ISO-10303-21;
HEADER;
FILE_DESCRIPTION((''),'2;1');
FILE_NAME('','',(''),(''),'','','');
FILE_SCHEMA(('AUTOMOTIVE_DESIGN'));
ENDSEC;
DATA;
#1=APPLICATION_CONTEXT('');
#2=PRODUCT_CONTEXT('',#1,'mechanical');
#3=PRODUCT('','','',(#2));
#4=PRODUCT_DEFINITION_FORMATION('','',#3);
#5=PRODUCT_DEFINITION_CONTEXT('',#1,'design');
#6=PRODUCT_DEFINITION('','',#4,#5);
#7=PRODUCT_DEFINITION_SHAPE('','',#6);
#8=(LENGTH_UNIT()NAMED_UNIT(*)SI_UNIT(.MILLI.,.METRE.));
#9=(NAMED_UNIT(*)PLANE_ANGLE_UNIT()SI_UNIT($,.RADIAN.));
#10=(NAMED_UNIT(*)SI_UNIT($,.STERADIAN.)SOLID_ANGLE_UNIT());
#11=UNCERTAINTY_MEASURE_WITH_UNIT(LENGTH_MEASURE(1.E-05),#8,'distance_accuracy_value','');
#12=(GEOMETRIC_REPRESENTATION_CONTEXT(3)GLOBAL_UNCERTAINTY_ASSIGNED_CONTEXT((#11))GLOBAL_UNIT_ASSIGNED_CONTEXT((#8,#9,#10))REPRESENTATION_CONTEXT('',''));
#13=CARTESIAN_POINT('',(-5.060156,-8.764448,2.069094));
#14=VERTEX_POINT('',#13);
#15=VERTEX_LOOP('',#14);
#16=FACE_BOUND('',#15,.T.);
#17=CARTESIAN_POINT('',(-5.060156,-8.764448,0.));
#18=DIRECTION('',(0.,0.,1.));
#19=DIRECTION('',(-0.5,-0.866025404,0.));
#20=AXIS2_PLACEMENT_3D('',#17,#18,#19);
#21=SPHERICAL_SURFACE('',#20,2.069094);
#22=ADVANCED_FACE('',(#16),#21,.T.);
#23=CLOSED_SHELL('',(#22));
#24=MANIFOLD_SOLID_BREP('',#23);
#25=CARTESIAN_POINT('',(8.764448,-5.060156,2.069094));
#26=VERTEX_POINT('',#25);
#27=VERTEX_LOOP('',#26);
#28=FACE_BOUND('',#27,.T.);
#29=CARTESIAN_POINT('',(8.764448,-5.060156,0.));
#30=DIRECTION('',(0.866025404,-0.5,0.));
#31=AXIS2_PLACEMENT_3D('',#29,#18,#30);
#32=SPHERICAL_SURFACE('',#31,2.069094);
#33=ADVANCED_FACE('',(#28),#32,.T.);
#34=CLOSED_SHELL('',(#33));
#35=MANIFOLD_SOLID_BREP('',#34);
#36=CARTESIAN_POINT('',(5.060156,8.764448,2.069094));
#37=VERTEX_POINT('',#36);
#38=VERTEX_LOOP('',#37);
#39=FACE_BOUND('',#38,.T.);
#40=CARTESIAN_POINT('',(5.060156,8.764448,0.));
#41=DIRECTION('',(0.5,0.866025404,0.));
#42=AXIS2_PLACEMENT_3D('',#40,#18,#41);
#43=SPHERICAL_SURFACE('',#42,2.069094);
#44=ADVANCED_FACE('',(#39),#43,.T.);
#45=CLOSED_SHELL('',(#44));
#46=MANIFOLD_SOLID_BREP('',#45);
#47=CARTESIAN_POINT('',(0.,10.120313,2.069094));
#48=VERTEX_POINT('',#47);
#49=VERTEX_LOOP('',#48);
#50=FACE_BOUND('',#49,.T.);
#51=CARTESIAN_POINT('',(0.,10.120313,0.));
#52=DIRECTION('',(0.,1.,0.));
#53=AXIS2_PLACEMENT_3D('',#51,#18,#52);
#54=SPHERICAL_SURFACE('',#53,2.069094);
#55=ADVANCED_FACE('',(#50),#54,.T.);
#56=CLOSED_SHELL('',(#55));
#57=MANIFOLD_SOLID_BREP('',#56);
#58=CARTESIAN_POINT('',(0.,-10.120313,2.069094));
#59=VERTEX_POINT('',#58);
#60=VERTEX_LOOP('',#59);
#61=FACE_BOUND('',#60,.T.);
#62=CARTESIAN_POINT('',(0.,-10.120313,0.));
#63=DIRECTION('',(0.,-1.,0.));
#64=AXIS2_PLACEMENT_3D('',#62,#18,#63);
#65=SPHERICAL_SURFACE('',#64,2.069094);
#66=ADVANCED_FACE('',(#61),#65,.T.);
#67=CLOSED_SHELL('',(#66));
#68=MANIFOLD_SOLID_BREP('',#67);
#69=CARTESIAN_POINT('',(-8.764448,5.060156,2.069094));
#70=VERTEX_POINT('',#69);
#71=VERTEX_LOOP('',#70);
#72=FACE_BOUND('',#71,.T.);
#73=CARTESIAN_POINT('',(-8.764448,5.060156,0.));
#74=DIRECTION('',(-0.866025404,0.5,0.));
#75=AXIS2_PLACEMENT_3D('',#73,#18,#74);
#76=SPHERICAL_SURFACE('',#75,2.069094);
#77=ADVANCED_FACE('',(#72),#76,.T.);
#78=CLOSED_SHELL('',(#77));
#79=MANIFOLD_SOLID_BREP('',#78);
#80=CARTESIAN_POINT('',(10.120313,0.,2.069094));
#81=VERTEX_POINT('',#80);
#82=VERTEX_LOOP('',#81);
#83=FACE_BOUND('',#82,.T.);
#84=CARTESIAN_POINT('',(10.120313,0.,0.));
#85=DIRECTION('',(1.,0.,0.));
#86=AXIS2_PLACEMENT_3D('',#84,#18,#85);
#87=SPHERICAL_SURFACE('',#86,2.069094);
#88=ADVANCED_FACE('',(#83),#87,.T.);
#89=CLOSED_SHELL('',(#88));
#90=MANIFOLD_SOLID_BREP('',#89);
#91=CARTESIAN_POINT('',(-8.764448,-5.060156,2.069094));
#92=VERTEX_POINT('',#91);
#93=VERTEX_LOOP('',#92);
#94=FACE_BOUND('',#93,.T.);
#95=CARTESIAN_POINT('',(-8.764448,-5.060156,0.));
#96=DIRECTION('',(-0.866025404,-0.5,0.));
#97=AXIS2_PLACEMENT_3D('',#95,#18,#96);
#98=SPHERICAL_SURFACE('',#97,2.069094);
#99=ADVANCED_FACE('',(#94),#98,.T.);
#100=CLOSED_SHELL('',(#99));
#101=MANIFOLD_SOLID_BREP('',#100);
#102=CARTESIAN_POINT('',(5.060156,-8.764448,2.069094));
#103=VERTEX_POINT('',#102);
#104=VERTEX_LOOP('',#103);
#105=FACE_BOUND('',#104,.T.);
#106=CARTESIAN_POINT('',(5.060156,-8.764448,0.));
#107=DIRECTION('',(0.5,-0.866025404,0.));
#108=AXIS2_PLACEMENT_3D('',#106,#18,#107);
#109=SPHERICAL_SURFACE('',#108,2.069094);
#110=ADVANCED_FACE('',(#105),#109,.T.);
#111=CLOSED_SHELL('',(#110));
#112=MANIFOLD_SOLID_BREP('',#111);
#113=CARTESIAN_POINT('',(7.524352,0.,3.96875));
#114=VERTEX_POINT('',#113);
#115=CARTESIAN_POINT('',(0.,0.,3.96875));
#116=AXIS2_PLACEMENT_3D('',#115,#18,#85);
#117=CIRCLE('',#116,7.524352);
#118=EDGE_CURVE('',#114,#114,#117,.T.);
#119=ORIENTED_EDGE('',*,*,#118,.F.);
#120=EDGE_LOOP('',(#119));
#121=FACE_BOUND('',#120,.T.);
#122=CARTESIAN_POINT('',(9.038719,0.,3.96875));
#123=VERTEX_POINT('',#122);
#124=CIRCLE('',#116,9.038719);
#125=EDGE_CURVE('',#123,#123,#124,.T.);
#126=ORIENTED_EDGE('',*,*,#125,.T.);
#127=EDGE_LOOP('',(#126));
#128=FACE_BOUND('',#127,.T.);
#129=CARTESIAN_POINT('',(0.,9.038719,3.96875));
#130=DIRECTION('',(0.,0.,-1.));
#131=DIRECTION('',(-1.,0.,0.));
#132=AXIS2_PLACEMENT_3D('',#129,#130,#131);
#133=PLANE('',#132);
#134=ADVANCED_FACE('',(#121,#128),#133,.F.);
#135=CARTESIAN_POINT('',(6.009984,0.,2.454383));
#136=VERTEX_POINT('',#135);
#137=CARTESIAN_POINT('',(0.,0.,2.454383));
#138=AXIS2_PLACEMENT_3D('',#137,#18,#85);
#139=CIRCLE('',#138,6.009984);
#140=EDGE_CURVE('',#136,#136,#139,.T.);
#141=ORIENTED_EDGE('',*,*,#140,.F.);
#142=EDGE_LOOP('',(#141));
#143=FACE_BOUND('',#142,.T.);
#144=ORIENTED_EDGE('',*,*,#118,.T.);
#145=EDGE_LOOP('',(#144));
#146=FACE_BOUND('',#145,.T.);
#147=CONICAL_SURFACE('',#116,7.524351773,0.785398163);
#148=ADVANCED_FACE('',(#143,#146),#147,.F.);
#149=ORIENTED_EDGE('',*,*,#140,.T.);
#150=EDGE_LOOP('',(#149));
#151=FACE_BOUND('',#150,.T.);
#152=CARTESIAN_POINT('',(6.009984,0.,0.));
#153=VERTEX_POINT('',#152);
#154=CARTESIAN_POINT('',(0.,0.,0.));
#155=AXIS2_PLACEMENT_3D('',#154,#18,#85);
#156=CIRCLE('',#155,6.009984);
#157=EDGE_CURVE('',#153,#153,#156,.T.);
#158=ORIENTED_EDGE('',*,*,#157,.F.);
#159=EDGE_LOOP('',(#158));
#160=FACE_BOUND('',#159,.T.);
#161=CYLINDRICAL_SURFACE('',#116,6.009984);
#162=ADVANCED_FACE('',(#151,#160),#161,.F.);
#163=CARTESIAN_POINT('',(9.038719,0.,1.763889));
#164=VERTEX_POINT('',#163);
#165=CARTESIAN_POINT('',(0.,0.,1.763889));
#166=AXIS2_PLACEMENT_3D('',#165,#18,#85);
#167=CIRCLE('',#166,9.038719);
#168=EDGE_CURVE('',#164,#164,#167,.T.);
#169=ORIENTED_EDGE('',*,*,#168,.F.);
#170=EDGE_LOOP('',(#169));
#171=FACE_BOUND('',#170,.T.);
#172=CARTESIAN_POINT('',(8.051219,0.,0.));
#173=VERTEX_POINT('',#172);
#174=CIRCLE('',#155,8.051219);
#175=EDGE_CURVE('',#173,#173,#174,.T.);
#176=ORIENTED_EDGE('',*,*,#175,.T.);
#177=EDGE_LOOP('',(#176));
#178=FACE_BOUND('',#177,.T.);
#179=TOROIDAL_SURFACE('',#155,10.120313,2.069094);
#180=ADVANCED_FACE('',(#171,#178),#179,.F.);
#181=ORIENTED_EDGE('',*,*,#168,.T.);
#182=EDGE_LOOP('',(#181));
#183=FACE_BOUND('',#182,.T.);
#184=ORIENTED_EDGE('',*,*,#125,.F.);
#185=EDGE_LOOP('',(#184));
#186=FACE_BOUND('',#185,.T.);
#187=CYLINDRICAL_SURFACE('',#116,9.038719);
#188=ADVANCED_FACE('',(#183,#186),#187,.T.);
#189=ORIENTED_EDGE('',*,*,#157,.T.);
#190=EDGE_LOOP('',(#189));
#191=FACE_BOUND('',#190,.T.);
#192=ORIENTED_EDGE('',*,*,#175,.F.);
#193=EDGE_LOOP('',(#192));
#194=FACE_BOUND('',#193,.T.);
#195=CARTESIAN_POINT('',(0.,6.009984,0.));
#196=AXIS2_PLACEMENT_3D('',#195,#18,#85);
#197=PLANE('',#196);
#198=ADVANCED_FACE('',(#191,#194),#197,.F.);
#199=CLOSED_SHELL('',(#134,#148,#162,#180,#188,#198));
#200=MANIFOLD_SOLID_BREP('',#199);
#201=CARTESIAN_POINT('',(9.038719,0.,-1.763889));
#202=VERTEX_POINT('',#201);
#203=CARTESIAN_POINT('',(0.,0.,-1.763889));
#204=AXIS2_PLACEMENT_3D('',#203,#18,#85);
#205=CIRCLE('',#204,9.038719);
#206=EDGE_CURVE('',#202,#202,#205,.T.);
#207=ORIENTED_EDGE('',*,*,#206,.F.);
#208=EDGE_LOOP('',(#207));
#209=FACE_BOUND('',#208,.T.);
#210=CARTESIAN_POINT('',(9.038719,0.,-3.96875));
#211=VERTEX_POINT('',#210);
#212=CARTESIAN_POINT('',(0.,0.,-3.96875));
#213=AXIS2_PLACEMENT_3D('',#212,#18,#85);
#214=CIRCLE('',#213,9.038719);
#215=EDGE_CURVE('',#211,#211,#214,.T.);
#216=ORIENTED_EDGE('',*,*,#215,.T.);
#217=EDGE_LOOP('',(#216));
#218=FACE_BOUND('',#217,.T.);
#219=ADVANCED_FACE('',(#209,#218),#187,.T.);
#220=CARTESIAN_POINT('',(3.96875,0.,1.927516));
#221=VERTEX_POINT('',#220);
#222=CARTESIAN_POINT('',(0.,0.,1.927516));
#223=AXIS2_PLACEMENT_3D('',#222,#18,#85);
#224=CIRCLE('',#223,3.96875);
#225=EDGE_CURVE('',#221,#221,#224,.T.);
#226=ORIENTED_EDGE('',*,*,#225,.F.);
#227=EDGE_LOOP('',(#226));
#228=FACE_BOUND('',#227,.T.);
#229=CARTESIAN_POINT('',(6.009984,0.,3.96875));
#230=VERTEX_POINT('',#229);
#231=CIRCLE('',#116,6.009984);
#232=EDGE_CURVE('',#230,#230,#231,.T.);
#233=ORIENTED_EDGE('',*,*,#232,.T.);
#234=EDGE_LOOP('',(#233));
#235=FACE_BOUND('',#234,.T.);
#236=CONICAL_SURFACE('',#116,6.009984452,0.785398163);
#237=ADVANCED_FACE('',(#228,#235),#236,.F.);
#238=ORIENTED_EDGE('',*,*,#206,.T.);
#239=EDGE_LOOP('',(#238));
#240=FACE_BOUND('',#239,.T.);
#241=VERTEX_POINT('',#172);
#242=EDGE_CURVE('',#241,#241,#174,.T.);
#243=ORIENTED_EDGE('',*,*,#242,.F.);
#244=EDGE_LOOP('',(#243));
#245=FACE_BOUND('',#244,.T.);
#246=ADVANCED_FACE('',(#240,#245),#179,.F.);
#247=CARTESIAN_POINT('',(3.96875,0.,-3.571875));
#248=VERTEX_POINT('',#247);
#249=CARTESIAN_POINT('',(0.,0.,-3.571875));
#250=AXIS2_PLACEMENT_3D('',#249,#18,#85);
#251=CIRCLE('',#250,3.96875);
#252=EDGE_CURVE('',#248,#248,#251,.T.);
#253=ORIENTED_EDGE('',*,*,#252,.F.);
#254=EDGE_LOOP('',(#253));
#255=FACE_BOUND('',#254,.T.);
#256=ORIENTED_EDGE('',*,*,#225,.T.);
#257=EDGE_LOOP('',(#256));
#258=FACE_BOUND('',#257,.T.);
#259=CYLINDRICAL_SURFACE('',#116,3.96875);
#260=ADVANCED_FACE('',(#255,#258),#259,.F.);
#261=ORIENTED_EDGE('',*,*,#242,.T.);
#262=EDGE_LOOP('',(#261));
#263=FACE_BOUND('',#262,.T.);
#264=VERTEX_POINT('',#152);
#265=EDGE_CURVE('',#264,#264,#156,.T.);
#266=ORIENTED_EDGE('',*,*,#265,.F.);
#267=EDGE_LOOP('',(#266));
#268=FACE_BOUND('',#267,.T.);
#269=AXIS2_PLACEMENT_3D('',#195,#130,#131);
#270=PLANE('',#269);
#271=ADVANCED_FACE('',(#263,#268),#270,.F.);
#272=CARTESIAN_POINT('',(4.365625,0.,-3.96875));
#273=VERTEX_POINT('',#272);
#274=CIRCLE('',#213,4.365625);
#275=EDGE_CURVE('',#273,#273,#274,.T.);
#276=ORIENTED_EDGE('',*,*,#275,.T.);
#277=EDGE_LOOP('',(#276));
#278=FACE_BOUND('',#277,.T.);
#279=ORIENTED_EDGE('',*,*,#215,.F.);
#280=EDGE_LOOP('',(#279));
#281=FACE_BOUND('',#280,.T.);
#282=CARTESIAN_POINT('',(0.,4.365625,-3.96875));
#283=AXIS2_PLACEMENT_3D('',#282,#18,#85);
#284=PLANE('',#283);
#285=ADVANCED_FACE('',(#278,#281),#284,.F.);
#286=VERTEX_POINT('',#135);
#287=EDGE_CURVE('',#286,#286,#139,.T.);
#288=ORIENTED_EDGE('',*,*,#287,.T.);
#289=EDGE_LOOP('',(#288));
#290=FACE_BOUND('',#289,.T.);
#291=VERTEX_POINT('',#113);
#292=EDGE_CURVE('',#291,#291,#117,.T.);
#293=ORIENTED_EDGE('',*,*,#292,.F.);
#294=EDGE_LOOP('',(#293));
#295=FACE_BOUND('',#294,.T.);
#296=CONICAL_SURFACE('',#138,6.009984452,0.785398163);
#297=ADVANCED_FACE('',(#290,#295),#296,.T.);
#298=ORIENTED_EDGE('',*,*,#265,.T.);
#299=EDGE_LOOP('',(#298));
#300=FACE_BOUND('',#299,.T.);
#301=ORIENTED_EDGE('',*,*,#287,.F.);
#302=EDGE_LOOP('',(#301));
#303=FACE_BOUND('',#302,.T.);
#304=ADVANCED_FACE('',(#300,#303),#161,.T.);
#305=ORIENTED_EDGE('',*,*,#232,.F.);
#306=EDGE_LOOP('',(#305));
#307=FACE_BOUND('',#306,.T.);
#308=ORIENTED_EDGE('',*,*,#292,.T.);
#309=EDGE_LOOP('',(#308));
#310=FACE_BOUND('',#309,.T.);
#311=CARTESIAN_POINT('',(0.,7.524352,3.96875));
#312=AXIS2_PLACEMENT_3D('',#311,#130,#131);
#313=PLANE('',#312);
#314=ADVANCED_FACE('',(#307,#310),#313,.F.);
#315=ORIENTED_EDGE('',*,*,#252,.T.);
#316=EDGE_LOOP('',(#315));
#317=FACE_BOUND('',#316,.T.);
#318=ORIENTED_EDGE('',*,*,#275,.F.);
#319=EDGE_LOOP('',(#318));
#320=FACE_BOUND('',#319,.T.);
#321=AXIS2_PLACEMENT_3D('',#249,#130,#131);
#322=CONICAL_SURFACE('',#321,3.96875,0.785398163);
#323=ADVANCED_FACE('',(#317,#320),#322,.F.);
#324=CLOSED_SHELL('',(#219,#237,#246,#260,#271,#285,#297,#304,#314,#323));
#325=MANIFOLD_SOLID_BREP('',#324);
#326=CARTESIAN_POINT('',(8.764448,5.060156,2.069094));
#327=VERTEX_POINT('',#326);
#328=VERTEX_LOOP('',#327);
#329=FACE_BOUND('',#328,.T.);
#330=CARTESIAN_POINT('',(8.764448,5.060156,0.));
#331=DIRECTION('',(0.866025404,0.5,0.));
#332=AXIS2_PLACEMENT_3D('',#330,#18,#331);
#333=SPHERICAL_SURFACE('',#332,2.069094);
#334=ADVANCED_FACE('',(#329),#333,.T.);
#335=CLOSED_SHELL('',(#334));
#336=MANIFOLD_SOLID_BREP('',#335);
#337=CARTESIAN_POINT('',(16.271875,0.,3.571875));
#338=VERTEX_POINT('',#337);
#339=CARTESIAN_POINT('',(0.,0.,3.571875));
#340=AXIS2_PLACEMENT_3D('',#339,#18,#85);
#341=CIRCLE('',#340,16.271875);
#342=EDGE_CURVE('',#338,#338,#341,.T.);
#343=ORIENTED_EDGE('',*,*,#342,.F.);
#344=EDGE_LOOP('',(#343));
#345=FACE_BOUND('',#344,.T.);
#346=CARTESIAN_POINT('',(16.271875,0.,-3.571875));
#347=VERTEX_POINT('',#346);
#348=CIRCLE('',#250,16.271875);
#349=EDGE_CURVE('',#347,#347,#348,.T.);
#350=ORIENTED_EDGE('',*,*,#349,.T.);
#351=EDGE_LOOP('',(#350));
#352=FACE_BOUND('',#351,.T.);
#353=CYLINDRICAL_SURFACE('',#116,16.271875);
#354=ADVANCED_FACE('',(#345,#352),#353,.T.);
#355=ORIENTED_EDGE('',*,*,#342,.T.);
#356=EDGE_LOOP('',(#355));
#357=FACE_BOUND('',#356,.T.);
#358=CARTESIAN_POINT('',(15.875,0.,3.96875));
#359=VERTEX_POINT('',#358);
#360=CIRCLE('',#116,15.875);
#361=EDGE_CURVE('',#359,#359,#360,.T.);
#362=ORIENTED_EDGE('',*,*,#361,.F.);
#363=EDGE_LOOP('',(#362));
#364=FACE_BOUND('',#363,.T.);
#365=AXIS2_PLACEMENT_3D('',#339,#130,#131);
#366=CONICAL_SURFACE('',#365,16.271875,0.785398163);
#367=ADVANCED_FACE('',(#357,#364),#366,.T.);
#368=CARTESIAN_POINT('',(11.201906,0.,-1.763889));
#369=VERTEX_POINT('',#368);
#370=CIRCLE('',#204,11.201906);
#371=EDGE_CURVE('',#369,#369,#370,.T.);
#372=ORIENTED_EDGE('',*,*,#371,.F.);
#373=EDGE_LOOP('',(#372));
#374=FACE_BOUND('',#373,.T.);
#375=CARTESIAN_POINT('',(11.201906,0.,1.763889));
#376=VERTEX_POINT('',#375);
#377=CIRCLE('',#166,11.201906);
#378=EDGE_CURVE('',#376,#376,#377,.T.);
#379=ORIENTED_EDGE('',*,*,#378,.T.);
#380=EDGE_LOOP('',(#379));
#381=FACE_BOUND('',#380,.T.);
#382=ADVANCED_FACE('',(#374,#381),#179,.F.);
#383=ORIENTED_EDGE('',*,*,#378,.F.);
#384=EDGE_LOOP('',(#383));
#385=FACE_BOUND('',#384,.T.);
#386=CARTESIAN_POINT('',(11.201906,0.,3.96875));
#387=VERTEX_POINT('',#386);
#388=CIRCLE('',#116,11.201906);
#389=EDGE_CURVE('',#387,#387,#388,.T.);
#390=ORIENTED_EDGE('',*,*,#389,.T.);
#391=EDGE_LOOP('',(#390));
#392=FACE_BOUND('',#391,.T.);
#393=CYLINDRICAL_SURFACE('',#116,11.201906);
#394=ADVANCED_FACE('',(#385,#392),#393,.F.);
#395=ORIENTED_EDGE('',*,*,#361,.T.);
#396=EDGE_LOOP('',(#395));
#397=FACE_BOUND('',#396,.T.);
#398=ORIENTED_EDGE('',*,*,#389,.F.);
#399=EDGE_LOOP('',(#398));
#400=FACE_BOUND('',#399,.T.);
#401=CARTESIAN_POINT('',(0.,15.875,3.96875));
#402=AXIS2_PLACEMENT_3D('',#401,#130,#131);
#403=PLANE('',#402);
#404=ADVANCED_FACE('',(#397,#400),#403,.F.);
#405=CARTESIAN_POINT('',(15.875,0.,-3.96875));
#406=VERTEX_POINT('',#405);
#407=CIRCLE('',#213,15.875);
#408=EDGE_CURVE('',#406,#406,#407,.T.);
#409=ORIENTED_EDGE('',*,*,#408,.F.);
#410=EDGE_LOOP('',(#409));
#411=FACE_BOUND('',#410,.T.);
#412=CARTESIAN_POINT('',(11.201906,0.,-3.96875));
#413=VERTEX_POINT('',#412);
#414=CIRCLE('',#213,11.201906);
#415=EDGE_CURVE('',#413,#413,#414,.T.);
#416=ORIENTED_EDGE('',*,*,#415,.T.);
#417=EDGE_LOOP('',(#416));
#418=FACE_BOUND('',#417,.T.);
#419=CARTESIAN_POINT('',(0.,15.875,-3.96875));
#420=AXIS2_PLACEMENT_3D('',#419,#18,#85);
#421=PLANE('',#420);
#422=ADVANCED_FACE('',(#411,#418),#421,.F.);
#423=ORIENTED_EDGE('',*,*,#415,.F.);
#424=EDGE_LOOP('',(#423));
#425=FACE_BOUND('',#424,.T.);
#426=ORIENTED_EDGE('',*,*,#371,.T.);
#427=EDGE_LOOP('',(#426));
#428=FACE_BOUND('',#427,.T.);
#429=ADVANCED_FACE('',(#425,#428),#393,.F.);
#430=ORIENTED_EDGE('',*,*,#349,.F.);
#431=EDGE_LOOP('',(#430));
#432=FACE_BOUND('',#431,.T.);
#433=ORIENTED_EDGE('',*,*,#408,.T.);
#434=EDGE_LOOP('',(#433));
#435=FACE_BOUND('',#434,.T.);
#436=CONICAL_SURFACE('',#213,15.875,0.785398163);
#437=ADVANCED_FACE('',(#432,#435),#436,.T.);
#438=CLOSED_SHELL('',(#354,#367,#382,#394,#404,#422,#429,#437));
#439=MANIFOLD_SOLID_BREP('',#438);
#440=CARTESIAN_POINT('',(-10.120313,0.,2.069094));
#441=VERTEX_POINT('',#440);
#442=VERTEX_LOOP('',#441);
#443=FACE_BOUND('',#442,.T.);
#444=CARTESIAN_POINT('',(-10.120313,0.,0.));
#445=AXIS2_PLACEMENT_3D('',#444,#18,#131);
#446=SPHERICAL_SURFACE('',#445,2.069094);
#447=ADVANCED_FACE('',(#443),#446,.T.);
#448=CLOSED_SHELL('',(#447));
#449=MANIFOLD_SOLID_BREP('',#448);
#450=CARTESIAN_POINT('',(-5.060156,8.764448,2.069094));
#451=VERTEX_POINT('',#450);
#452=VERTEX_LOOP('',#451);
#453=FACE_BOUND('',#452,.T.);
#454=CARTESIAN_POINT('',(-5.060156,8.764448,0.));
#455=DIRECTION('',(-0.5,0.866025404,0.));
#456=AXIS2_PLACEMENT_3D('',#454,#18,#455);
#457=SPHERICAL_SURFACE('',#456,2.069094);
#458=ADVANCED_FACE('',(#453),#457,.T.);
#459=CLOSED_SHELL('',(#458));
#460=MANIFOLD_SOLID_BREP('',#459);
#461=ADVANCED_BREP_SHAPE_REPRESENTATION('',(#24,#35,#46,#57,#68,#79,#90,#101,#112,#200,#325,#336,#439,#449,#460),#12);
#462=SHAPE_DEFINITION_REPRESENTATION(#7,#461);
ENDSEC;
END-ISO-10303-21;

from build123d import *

# Parameters (mm, degrees)
CIRPATTERN1_COUNT = 12


with BuildPart() as part:
    # Sketch1 → Revolve1 (revolve)
    with BuildSketch(Plane(origin=(0, 0, 0), x_dir=(0, 0, -1), z_dir=(1, 0, 0))):
        with BuildLine():
            Line((3.571875, 16.271875), (-3.571875, 16.271875))
            Line((-3.571875, 16.271875), (-3.96875, 15.875))
            Line((-3.96875, 15.875), (-3.96875, 11.201905907))
            Line((-3.96875, 11.201905907), (-1.763888889, 11.201905907))
            ThreePointArc((-1.763888889, 11.201905907), (0, 12.189406096), (1.763888889, 11.201905907))
            Line((1.763888889, 11.201905907), (3.96875, 11.201905907))
            Line((3.96875, 11.201905907), (3.96875, 15.875))
            Line((3.96875, 15.875), (3.571875, 16.271875))
        make_face()
    revolve(axis=Axis((0, 0, 3.96875), (0, 0, -1)))


with BuildPart() as body_2:
    # Sketch2 → Revolve2 (revolve)
    with BuildSketch(Plane(origin=(0, 0, 0), x_dir=(0, 0, -1), z_dir=(1, 0, 0))):
        with BuildLine():
            Line((-3.96875, 9.038719093), (-1.763888889, 9.038719093))
            ThreePointArc((-1.763888889, 9.038719093), (-1.0107498, 8.314894778), (0, 8.051218904))
            Line((0, 8.051218904), (0, 6.009984452))
            Line((0, 6.009984452), (-2.454382679, 6.009984452))
            Line((-2.454382679, 6.009984452), (-3.96875, 7.524351773))
            Line((-3.96875, 7.524351773), (-3.96875, 9.038719093))
        make_face()
    revolve(axis=Axis((0, 0, 3.96875), (0, 0, -1)))


with BuildPart() as body_3:
    # Sketch3 → Revolve3 (revolve)
    with BuildSketch(Plane(origin=(0, 0, 0), x_dir=(0, 0, -1), z_dir=(1, 0, 0))):
        with BuildLine():
            Line((-3.96875, 7.524351773), (-2.454382679, 6.009984452))
            Line((-2.454382679, 6.009984452), (0, 6.009984452))
            Line((0, 6.009984452), (0, 8.051218904))
            ThreePointArc((0, 8.051218904), (1.0107498, 8.314894778), (1.763888889, 9.038719093))
            Line((1.763888889, 9.038719093), (3.96875, 9.038719093))
            Line((3.96875, 9.038719093), (3.96875, 4.365625))
            Line((3.96875, 4.365625), (3.571875, 3.96875))
            Line((3.571875, 3.96875), (-1.927515548, 3.96875))
            Line((-1.927515548, 3.96875), (-3.96875, 6.009984452))
            Line((-3.96875, 6.009984452), (-3.96875, 7.524351773))
        make_face()
    revolve(axis=Axis((0, 0, 3.96875), (0, 0, -1)))


with BuildPart() as body_4:
    # Sketch4 → Revolve4 (revolve)
    with BuildSketch(Plane(origin=(0, 0, 0), x_dir=(0, 0, -1), z_dir=(1, 0, 0))):
        with BuildLine():
            Line((-2.069093596, 10.1203125), (2.069093596, 10.1203125))
            ThreePointArc((2.069093596, 10.1203125), (0, 12.189406096), (-2.069093596, 10.1203125))
        make_face()
    revolve(axis=Axis((0, 10.1203125, 2.069093596), (0, 0, -1)))


with BuildPart() as cirpattern1_1:
    # CirPattern1: pattern copy
    add(body_4.part.rotate(Axis((0, 0, -3.96875), (0, 0, 1)), 1 * 360 / CIRPATTERN1_COUNT))


with BuildPart() as cirpattern1_2:
    # CirPattern1: pattern copy
    add(body_4.part.rotate(Axis((0, 0, -3.96875), (0, 0, 1)), 2 * 360 / CIRPATTERN1_COUNT))


with BuildPart() as cirpattern1_3:
    # CirPattern1: pattern copy
    add(body_4.part.rotate(Axis((0, 0, -3.96875), (0, 0, 1)), 3 * 360 / CIRPATTERN1_COUNT))


with BuildPart() as cirpattern1_4:
    # CirPattern1: pattern copy
    add(body_4.part.rotate(Axis((0, 0, -3.96875), (0, 0, 1)), 4 * 360 / CIRPATTERN1_COUNT))


with BuildPart() as cirpattern1_5:
    # CirPattern1: pattern copy
    add(body_4.part.rotate(Axis((0, 0, -3.96875), (0, 0, 1)), 5 * 360 / CIRPATTERN1_COUNT))


with BuildPart() as cirpattern1_6:
    # CirPattern1: pattern copy
    add(body_4.part.rotate(Axis((0, 0, -3.96875), (0, 0, 1)), 6 * 360 / CIRPATTERN1_COUNT))


with BuildPart() as cirpattern1_7:
    # CirPattern1: pattern copy
    add(body_4.part.rotate(Axis((0, 0, -3.96875), (0, 0, 1)), 7 * 360 / CIRPATTERN1_COUNT))


with BuildPart() as cirpattern1_8:
    # CirPattern1: pattern copy
    add(body_4.part.rotate(Axis((0, 0, -3.96875), (0, 0, 1)), 8 * 360 / CIRPATTERN1_COUNT))


with BuildPart() as cirpattern1_9:
    # CirPattern1: pattern copy
    add(body_4.part.rotate(Axis((0, 0, -3.96875), (0, 0, 1)), 9 * 360 / CIRPATTERN1_COUNT))


with BuildPart() as cirpattern1_10:
    # CirPattern1: pattern copy
    add(body_4.part.rotate(Axis((0, 0, -3.96875), (0, 0, 1)), 10 * 360 / CIRPATTERN1_COUNT))


with BuildPart() as cirpattern1_11:
    # CirPattern1: pattern copy
    add(body_4.part.rotate(Axis((0, 0, -3.96875), (0, 0, 1)), 11 * 360 / CIRPATTERN1_COUNT))


solid = Compound([part.part, body_2.part, body_3.part, body_4.part, cirpattern1_1.part, cirpattern1_2.part, cirpattern1_3.part, cirpattern1_4.part, cirpattern1_5.part, cirpattern1_6.part, cirpattern1_7.part, cirpattern1_8.part, cirpattern1_9.part, cirpattern1_10.part, cirpattern1_11.part])
